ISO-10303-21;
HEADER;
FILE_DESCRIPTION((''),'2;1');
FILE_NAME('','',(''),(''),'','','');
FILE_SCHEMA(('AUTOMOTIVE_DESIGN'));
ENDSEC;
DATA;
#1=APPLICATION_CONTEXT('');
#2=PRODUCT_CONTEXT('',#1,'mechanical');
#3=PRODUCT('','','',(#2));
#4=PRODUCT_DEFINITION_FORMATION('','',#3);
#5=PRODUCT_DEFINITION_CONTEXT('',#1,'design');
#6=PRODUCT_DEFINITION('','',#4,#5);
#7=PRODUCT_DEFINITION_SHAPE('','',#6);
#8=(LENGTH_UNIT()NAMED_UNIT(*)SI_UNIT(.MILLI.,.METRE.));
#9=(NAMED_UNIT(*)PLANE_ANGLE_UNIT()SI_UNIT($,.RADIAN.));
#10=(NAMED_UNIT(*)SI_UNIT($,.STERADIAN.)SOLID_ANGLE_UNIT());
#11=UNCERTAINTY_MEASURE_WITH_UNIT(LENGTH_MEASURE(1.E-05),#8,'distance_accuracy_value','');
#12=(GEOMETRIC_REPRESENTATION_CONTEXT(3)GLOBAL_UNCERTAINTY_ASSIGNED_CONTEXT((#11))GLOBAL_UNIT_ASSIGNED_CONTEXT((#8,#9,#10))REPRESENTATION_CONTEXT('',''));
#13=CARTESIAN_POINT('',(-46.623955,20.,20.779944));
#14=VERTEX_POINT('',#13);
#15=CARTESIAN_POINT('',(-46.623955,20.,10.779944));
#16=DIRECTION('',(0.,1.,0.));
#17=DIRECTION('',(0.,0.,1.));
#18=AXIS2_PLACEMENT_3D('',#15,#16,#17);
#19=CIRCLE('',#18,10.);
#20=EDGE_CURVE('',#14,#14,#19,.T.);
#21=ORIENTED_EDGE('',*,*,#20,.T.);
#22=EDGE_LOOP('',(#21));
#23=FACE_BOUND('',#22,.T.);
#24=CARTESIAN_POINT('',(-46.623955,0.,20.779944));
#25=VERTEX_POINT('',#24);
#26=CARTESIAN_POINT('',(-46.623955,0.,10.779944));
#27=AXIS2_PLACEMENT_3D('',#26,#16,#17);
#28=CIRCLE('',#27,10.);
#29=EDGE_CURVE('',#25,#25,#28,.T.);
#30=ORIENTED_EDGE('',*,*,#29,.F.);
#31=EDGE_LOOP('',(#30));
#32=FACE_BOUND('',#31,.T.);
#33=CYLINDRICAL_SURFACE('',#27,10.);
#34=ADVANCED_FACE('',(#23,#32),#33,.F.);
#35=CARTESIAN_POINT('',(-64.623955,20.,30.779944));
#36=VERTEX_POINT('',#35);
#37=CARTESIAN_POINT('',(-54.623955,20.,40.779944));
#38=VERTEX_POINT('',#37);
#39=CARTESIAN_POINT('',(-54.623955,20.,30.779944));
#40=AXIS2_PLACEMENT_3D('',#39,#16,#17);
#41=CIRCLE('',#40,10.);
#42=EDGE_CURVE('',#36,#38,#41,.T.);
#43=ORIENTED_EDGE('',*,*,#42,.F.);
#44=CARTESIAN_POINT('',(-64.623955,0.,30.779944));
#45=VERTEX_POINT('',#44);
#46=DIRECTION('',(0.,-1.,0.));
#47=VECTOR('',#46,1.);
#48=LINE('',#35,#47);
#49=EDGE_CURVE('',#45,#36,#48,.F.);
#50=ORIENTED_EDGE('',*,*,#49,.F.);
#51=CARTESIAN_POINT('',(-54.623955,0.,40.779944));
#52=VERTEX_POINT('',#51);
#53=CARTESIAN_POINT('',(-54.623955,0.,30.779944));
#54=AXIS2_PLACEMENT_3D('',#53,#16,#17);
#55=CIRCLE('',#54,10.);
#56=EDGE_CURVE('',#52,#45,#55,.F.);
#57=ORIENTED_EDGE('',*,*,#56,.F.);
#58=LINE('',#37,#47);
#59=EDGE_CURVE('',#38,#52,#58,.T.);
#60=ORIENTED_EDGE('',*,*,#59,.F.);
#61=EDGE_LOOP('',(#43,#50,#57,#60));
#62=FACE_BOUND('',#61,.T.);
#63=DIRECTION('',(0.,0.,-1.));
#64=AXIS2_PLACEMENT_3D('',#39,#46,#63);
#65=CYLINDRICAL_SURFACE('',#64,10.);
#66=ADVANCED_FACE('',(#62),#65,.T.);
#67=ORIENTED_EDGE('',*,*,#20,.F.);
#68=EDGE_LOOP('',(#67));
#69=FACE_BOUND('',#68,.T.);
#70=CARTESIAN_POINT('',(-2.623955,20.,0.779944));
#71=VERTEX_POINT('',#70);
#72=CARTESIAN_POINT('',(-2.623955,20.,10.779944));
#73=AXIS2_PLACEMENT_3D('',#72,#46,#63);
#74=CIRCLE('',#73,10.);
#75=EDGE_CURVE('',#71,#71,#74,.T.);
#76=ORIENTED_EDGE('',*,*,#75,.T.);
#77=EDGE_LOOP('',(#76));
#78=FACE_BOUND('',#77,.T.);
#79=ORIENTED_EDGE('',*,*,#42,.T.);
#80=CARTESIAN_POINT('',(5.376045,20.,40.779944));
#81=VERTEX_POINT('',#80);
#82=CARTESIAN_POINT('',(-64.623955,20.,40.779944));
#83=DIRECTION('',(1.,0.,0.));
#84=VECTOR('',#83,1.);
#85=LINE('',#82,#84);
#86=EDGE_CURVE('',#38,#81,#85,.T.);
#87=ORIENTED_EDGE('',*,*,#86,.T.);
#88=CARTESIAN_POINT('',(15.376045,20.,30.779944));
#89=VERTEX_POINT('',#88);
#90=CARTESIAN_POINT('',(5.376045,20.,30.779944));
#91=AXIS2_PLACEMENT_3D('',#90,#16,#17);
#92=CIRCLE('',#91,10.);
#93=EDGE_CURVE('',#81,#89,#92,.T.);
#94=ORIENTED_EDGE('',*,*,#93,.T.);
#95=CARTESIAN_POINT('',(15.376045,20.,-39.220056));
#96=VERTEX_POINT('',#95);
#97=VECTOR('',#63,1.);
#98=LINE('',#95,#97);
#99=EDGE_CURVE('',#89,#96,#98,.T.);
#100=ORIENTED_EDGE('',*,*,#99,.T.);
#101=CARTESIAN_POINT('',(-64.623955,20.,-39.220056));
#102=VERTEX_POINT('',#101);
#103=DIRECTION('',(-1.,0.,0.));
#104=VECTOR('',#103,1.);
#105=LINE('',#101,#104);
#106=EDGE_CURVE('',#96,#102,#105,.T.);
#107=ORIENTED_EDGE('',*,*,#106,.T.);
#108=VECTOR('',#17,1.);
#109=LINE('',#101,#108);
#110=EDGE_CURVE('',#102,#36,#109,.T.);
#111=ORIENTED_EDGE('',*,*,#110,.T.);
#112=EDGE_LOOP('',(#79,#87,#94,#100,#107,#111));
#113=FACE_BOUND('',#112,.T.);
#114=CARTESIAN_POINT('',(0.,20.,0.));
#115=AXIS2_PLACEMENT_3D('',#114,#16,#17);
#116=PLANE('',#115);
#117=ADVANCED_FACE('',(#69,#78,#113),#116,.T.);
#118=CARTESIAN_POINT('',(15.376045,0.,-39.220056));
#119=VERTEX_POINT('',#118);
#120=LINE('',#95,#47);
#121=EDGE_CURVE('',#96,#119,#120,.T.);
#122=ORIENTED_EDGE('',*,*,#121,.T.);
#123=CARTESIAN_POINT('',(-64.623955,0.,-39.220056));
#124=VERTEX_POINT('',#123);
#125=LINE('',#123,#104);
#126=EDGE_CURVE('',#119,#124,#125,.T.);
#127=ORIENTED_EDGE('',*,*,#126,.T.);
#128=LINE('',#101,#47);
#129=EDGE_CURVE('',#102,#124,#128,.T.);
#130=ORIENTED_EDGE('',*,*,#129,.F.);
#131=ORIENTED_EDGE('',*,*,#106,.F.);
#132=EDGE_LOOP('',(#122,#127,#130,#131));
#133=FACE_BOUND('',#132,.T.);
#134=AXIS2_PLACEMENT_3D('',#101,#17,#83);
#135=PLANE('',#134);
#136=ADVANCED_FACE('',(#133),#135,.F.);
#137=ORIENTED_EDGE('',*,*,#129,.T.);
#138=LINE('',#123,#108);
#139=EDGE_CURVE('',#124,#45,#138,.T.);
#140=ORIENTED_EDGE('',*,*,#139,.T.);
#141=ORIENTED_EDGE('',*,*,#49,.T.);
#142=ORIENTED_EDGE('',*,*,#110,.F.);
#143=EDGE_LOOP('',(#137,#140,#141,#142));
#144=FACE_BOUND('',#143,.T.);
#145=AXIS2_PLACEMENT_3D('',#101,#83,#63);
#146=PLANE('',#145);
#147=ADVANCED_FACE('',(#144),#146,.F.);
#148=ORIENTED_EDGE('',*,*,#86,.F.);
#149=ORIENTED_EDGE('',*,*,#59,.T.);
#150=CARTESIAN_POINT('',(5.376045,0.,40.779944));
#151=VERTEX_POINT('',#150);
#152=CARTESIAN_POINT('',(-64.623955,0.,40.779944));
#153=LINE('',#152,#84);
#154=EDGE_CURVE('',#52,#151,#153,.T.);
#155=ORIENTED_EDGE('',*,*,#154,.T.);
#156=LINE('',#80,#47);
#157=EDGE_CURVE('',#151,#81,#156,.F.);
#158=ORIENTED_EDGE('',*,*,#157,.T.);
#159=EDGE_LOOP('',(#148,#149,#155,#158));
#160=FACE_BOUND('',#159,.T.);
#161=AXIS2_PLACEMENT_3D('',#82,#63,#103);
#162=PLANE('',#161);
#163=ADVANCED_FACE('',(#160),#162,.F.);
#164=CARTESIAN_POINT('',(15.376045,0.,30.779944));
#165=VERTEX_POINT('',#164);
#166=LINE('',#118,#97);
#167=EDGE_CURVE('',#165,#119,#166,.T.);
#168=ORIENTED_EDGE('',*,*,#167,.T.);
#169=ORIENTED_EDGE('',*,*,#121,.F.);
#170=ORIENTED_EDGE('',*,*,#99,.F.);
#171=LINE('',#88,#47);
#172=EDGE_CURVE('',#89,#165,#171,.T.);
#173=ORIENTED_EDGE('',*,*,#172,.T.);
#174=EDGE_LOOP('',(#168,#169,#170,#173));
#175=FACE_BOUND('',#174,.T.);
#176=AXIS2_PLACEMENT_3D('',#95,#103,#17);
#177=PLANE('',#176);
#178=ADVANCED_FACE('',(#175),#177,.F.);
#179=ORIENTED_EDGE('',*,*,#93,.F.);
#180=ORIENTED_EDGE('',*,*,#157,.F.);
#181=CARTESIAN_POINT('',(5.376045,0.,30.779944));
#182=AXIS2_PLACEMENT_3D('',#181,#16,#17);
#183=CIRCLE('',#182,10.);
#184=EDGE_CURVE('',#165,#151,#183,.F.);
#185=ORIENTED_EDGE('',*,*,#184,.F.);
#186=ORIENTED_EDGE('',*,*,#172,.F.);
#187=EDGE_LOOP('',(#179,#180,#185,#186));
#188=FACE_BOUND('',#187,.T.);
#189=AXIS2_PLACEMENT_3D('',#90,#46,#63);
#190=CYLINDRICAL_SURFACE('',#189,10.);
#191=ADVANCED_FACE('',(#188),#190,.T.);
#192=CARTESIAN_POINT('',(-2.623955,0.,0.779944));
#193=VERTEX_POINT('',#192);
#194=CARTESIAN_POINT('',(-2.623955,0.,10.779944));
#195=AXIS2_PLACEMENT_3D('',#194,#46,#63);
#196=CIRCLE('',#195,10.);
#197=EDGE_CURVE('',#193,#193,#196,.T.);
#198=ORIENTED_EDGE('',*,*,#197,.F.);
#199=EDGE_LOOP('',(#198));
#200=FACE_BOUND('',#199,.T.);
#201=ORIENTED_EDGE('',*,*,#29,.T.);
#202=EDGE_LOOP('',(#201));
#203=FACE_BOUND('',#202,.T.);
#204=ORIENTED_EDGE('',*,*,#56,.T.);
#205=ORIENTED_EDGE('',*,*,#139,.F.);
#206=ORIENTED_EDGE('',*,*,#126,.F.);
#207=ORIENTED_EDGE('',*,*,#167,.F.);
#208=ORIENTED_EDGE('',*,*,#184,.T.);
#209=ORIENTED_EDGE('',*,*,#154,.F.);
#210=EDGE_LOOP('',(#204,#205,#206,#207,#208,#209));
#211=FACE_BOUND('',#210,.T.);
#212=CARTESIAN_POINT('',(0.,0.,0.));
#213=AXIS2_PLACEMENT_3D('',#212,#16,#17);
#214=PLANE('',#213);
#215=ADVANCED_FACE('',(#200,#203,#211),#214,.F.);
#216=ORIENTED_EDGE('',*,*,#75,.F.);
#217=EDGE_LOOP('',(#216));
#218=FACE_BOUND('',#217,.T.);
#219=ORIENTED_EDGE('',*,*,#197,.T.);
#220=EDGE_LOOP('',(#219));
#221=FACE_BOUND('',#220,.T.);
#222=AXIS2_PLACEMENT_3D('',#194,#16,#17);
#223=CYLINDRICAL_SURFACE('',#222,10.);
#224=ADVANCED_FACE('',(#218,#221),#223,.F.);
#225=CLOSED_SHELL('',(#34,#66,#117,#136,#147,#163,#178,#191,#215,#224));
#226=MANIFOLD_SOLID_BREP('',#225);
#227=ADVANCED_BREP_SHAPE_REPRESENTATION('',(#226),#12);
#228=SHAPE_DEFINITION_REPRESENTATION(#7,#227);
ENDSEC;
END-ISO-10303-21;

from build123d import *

# Parameters (mm, degrees)
CROQUIS2_W              = 80
CROQUIS2_H              = 80
SALIENTE_EXTRUIR1_DEPTH = 20
REDONDEO1_R             = 10
REDONDEO2_R             = 10
CROQUIS3_R              = 10
CORTAR_EXTRUIR1_DEPTH   = 79.988983231


with BuildPart() as part:
    # Croquis2 → Saliente-Extruir1 (new body)
    with BuildSketch(Plane(origin=(0, 0, 0), x_dir=(1, 0, 0), z_dir=(0, 1, 0))):
        with Locations((-24.623955432, -0.77994429)):
            Rectangle(CROQUIS2_W, CROQUIS2_H)
    extrude(amount=SALIENTE_EXTRUIR1_DEPTH)

    # Redondeo1
    redondeo1_edges = [part.edges().sort_by_distance(p)[0] for p in [
        (15.376044568, 10, 40.77994429),
    ]]
    fillet(redondeo1_edges, radius=REDONDEO1_R)

    # Redondeo2
    redondeo2_edges = [part.edges().sort_by_distance(p)[0] for p in [
        (-64.623955432, 10, 40.77994429),
    ]]
    fillet(redondeo2_edges, radius=REDONDEO2_R)

    # Croquis3 → Cortar-Extruir1 (cut, through all)
    with BuildSketch(Plane(origin=(0, 20, 0), x_dir=(1, 0, 0), z_dir=(0, 1, 0))):
        with Locations(Location((-46.623955432, -10.77994429, 0), (0, 0, 270))):
            Circle(CROQUIS3_R)
        with Locations(Location((-2.623955432, -10.77994429, 0), (0, 0, 90))):
            Circle(CROQUIS3_R)
    extrude(amount=-CORTAR_EXTRUIR1_DEPTH, mode=Mode.SUBTRACT)


solid = part.part
